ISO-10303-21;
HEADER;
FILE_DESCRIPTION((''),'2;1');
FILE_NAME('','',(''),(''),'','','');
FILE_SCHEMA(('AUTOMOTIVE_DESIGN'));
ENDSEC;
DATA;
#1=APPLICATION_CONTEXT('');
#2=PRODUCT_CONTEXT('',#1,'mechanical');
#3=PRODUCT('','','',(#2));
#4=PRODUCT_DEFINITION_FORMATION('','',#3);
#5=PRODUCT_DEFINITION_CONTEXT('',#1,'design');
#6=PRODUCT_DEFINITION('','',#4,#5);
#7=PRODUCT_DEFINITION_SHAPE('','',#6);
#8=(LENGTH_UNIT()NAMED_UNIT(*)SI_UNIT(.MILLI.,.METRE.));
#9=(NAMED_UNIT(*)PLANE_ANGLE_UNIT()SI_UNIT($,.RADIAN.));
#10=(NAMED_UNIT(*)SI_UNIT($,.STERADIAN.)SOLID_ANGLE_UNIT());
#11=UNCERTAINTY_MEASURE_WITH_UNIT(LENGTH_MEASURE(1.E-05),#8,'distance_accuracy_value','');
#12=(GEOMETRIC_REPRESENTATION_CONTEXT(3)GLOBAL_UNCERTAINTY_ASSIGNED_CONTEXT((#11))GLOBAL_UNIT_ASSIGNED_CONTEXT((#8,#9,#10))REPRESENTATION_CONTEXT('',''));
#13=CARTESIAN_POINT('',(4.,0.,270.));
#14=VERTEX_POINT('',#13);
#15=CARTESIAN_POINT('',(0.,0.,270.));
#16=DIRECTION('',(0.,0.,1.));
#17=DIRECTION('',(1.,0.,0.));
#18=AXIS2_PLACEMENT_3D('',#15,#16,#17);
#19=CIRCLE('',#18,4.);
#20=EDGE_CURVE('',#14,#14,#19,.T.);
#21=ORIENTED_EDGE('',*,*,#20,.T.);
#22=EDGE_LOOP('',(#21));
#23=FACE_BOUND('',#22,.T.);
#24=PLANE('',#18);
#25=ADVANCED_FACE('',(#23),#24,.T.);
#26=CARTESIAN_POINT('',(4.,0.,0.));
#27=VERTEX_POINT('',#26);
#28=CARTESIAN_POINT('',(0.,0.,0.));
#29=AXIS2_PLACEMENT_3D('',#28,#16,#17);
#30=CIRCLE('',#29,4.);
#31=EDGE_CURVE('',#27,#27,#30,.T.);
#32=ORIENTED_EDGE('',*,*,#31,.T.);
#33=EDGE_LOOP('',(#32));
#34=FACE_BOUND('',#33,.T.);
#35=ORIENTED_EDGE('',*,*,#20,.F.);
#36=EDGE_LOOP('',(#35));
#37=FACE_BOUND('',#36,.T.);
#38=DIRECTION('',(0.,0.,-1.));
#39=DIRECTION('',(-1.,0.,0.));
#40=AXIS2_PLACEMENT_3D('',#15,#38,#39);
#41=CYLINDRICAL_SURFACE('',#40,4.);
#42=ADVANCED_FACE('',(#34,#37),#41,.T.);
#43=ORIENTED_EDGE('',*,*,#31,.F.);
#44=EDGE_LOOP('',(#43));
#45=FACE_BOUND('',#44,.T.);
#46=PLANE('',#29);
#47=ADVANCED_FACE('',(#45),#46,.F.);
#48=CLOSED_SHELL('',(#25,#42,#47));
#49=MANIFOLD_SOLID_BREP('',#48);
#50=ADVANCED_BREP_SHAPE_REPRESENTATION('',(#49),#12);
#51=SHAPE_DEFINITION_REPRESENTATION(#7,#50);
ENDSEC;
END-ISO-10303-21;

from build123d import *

# Parameters (mm, degrees)
ESQUISSE1_R        = 4
BOSS_EXTRU_1_DEPTH = 270


with BuildPart() as part:
    # Esquisse1 → Boss.-Extru.1 (new body)
    with BuildSketch(Plane.XY):
        Circle(ESQUISSE1_R)
    extrude(amount=BOSS_EXTRU_1_DEPTH)


solid = part.part
